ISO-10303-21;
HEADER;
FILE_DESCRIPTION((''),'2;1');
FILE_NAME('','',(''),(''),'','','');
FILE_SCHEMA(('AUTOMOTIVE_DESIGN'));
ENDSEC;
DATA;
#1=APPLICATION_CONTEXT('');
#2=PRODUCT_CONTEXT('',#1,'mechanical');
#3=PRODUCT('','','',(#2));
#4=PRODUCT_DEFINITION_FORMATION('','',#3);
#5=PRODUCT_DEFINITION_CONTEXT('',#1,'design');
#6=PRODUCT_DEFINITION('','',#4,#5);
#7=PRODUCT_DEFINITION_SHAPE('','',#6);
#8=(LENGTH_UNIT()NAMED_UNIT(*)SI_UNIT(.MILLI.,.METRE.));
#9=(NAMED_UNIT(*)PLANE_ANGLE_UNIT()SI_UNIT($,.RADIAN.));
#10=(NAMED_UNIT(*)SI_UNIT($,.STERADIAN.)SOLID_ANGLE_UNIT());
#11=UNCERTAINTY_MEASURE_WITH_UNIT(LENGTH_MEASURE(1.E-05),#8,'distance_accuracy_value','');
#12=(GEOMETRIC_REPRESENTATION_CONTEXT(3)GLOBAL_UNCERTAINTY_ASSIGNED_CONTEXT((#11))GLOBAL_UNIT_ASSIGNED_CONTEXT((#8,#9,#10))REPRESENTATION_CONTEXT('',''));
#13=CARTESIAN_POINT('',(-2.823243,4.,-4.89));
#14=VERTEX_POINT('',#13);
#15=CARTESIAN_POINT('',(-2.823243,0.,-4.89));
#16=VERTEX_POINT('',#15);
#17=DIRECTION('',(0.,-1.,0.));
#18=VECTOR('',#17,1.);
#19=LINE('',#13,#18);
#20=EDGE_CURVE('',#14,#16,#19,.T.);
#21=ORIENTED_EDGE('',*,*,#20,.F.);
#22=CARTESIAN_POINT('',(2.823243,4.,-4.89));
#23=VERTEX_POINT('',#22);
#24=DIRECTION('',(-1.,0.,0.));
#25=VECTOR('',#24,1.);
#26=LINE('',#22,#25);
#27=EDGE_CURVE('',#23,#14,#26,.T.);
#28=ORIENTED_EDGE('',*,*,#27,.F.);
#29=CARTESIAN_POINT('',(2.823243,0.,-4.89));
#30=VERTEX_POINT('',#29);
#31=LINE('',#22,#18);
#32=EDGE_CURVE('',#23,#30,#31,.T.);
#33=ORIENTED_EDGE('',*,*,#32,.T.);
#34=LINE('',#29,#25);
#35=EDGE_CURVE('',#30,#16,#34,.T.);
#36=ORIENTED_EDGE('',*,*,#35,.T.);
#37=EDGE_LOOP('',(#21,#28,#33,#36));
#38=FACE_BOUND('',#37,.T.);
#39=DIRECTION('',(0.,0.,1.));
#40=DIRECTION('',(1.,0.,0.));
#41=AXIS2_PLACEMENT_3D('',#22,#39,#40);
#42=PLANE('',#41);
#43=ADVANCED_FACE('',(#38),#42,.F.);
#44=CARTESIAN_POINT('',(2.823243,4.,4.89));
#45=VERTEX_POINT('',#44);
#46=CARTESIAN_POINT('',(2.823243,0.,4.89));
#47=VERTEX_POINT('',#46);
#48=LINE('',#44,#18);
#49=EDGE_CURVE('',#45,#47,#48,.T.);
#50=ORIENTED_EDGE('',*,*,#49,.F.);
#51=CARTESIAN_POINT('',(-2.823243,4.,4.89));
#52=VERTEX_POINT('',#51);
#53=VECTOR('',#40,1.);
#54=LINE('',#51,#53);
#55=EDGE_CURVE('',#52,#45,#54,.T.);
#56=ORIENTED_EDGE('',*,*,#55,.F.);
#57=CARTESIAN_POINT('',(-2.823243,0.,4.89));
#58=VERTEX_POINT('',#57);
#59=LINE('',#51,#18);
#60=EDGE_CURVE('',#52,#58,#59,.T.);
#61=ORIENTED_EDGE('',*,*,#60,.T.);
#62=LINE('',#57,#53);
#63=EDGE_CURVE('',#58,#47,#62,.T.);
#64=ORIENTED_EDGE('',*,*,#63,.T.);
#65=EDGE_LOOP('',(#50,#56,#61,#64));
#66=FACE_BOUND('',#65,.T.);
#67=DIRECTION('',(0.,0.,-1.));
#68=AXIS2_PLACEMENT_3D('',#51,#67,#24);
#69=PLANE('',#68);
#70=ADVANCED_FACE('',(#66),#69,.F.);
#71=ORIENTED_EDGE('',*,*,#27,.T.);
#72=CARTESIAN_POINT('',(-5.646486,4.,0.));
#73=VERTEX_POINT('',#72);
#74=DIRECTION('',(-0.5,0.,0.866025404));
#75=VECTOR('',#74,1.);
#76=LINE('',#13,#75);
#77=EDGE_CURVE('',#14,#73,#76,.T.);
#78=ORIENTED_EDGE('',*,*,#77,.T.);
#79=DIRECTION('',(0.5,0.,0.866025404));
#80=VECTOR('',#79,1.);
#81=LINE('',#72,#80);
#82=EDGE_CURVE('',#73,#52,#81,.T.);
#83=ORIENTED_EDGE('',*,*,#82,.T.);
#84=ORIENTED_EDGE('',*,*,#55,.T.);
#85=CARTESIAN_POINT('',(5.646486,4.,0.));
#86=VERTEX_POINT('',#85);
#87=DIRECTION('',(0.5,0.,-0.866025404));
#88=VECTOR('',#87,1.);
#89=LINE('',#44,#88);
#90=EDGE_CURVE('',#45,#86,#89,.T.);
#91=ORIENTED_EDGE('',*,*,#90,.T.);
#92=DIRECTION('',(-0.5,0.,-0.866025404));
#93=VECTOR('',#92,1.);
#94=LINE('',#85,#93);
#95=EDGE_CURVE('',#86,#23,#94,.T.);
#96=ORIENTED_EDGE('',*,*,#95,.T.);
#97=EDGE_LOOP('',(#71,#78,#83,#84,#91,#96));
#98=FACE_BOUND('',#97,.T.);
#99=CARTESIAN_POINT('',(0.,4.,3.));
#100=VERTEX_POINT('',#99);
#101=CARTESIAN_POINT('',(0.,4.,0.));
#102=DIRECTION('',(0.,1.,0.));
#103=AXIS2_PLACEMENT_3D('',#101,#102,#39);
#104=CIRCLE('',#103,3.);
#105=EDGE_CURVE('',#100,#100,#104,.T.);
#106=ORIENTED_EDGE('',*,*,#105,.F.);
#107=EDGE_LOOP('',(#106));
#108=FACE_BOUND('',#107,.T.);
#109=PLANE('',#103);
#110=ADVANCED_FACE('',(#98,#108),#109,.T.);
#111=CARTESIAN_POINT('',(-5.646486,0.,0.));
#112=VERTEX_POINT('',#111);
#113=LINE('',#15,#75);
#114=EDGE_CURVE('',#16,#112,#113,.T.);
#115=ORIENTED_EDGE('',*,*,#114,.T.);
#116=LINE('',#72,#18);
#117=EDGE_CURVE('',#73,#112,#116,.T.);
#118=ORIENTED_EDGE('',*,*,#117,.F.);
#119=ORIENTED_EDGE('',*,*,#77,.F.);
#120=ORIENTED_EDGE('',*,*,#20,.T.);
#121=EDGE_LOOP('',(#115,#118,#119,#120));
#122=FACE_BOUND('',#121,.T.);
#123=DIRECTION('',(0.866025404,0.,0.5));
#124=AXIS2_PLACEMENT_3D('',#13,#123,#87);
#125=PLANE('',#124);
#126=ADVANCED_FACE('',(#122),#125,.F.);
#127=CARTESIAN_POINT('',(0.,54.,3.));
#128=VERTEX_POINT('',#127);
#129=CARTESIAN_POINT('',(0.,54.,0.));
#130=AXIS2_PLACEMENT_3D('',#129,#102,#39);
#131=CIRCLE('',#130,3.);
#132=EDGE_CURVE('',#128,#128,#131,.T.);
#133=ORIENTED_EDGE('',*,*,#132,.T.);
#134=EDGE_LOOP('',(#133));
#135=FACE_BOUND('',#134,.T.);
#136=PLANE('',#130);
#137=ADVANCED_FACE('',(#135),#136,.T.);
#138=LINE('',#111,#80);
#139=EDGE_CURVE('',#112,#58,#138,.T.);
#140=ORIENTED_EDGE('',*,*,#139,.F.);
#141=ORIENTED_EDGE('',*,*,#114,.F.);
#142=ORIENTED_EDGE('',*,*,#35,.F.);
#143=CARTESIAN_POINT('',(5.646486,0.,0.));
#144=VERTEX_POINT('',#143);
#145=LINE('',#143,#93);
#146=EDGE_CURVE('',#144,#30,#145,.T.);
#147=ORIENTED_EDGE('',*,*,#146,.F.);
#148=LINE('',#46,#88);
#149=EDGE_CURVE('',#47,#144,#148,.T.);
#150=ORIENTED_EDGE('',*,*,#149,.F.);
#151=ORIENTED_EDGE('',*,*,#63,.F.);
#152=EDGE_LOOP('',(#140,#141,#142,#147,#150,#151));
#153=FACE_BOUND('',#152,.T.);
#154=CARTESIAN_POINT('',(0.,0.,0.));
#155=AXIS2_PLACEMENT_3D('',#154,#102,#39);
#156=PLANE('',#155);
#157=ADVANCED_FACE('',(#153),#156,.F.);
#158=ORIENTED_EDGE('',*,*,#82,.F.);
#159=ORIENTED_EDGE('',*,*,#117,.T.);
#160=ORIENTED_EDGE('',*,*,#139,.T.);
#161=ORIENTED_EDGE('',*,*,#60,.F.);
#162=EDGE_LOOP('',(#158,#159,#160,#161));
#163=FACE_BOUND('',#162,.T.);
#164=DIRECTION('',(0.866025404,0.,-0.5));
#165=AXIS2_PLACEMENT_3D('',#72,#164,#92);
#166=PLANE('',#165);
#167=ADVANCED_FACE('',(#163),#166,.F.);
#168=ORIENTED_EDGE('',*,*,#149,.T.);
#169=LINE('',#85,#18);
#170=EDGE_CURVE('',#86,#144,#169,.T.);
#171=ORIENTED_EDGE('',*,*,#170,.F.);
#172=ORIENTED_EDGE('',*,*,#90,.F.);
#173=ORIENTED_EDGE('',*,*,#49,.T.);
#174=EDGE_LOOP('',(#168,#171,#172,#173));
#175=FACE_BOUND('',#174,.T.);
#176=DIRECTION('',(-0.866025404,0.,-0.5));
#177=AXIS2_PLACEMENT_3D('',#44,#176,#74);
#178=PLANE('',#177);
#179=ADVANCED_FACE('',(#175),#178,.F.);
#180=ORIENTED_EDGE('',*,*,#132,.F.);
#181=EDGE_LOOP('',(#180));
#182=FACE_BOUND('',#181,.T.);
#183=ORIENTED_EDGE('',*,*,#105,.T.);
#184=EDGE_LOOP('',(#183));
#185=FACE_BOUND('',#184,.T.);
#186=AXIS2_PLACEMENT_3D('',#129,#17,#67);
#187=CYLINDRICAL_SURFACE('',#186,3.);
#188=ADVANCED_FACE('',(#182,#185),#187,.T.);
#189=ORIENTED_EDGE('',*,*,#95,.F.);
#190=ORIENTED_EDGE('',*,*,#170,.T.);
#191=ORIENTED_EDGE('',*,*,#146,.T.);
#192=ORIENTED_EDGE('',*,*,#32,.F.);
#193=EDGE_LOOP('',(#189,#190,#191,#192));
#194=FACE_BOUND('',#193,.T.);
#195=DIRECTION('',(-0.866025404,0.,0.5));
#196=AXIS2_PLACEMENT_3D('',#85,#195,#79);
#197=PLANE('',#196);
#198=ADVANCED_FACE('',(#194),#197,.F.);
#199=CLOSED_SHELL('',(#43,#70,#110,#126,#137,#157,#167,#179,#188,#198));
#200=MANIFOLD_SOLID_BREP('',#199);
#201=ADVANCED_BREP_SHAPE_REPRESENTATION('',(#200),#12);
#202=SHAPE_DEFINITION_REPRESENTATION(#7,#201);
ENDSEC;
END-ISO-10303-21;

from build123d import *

# Parameters (mm, degrees)
BOSS_EXTRUDE1_DEPTH = 4
SKETCH2_R           = 3
BOSS_EXTRUDE2_DEPTH = 50


with BuildPart() as part:
    # Sketch1 → Boss-Extrude1 (new body)
    with BuildSketch(Plane(origin=(0, 0, 0), x_dir=(1, 0, 0), z_dir=(0, 1, 0))):
        Polygon((2.823242816, -4.89), (5.646485633, 0), (2.823242816, 4.89), (-2.823242816, 4.89), (-5.646485633, 0), (-2.823242816, -4.89), align=None)
    extrude(amount=BOSS_EXTRUDE1_DEPTH)

    # Sketch2 → Boss-Extrude2 (add)
    with BuildSketch(Plane(origin=(0, 4, 0), x_dir=(1, 0, 0), z_dir=(0, 1, 0))):
        with Locations(Location((0, 0, 0), (0, 0, 270))):
            Circle(SKETCH2_R)
    extrude(amount=BOSS_EXTRUDE2_DEPTH)


solid = part.part
